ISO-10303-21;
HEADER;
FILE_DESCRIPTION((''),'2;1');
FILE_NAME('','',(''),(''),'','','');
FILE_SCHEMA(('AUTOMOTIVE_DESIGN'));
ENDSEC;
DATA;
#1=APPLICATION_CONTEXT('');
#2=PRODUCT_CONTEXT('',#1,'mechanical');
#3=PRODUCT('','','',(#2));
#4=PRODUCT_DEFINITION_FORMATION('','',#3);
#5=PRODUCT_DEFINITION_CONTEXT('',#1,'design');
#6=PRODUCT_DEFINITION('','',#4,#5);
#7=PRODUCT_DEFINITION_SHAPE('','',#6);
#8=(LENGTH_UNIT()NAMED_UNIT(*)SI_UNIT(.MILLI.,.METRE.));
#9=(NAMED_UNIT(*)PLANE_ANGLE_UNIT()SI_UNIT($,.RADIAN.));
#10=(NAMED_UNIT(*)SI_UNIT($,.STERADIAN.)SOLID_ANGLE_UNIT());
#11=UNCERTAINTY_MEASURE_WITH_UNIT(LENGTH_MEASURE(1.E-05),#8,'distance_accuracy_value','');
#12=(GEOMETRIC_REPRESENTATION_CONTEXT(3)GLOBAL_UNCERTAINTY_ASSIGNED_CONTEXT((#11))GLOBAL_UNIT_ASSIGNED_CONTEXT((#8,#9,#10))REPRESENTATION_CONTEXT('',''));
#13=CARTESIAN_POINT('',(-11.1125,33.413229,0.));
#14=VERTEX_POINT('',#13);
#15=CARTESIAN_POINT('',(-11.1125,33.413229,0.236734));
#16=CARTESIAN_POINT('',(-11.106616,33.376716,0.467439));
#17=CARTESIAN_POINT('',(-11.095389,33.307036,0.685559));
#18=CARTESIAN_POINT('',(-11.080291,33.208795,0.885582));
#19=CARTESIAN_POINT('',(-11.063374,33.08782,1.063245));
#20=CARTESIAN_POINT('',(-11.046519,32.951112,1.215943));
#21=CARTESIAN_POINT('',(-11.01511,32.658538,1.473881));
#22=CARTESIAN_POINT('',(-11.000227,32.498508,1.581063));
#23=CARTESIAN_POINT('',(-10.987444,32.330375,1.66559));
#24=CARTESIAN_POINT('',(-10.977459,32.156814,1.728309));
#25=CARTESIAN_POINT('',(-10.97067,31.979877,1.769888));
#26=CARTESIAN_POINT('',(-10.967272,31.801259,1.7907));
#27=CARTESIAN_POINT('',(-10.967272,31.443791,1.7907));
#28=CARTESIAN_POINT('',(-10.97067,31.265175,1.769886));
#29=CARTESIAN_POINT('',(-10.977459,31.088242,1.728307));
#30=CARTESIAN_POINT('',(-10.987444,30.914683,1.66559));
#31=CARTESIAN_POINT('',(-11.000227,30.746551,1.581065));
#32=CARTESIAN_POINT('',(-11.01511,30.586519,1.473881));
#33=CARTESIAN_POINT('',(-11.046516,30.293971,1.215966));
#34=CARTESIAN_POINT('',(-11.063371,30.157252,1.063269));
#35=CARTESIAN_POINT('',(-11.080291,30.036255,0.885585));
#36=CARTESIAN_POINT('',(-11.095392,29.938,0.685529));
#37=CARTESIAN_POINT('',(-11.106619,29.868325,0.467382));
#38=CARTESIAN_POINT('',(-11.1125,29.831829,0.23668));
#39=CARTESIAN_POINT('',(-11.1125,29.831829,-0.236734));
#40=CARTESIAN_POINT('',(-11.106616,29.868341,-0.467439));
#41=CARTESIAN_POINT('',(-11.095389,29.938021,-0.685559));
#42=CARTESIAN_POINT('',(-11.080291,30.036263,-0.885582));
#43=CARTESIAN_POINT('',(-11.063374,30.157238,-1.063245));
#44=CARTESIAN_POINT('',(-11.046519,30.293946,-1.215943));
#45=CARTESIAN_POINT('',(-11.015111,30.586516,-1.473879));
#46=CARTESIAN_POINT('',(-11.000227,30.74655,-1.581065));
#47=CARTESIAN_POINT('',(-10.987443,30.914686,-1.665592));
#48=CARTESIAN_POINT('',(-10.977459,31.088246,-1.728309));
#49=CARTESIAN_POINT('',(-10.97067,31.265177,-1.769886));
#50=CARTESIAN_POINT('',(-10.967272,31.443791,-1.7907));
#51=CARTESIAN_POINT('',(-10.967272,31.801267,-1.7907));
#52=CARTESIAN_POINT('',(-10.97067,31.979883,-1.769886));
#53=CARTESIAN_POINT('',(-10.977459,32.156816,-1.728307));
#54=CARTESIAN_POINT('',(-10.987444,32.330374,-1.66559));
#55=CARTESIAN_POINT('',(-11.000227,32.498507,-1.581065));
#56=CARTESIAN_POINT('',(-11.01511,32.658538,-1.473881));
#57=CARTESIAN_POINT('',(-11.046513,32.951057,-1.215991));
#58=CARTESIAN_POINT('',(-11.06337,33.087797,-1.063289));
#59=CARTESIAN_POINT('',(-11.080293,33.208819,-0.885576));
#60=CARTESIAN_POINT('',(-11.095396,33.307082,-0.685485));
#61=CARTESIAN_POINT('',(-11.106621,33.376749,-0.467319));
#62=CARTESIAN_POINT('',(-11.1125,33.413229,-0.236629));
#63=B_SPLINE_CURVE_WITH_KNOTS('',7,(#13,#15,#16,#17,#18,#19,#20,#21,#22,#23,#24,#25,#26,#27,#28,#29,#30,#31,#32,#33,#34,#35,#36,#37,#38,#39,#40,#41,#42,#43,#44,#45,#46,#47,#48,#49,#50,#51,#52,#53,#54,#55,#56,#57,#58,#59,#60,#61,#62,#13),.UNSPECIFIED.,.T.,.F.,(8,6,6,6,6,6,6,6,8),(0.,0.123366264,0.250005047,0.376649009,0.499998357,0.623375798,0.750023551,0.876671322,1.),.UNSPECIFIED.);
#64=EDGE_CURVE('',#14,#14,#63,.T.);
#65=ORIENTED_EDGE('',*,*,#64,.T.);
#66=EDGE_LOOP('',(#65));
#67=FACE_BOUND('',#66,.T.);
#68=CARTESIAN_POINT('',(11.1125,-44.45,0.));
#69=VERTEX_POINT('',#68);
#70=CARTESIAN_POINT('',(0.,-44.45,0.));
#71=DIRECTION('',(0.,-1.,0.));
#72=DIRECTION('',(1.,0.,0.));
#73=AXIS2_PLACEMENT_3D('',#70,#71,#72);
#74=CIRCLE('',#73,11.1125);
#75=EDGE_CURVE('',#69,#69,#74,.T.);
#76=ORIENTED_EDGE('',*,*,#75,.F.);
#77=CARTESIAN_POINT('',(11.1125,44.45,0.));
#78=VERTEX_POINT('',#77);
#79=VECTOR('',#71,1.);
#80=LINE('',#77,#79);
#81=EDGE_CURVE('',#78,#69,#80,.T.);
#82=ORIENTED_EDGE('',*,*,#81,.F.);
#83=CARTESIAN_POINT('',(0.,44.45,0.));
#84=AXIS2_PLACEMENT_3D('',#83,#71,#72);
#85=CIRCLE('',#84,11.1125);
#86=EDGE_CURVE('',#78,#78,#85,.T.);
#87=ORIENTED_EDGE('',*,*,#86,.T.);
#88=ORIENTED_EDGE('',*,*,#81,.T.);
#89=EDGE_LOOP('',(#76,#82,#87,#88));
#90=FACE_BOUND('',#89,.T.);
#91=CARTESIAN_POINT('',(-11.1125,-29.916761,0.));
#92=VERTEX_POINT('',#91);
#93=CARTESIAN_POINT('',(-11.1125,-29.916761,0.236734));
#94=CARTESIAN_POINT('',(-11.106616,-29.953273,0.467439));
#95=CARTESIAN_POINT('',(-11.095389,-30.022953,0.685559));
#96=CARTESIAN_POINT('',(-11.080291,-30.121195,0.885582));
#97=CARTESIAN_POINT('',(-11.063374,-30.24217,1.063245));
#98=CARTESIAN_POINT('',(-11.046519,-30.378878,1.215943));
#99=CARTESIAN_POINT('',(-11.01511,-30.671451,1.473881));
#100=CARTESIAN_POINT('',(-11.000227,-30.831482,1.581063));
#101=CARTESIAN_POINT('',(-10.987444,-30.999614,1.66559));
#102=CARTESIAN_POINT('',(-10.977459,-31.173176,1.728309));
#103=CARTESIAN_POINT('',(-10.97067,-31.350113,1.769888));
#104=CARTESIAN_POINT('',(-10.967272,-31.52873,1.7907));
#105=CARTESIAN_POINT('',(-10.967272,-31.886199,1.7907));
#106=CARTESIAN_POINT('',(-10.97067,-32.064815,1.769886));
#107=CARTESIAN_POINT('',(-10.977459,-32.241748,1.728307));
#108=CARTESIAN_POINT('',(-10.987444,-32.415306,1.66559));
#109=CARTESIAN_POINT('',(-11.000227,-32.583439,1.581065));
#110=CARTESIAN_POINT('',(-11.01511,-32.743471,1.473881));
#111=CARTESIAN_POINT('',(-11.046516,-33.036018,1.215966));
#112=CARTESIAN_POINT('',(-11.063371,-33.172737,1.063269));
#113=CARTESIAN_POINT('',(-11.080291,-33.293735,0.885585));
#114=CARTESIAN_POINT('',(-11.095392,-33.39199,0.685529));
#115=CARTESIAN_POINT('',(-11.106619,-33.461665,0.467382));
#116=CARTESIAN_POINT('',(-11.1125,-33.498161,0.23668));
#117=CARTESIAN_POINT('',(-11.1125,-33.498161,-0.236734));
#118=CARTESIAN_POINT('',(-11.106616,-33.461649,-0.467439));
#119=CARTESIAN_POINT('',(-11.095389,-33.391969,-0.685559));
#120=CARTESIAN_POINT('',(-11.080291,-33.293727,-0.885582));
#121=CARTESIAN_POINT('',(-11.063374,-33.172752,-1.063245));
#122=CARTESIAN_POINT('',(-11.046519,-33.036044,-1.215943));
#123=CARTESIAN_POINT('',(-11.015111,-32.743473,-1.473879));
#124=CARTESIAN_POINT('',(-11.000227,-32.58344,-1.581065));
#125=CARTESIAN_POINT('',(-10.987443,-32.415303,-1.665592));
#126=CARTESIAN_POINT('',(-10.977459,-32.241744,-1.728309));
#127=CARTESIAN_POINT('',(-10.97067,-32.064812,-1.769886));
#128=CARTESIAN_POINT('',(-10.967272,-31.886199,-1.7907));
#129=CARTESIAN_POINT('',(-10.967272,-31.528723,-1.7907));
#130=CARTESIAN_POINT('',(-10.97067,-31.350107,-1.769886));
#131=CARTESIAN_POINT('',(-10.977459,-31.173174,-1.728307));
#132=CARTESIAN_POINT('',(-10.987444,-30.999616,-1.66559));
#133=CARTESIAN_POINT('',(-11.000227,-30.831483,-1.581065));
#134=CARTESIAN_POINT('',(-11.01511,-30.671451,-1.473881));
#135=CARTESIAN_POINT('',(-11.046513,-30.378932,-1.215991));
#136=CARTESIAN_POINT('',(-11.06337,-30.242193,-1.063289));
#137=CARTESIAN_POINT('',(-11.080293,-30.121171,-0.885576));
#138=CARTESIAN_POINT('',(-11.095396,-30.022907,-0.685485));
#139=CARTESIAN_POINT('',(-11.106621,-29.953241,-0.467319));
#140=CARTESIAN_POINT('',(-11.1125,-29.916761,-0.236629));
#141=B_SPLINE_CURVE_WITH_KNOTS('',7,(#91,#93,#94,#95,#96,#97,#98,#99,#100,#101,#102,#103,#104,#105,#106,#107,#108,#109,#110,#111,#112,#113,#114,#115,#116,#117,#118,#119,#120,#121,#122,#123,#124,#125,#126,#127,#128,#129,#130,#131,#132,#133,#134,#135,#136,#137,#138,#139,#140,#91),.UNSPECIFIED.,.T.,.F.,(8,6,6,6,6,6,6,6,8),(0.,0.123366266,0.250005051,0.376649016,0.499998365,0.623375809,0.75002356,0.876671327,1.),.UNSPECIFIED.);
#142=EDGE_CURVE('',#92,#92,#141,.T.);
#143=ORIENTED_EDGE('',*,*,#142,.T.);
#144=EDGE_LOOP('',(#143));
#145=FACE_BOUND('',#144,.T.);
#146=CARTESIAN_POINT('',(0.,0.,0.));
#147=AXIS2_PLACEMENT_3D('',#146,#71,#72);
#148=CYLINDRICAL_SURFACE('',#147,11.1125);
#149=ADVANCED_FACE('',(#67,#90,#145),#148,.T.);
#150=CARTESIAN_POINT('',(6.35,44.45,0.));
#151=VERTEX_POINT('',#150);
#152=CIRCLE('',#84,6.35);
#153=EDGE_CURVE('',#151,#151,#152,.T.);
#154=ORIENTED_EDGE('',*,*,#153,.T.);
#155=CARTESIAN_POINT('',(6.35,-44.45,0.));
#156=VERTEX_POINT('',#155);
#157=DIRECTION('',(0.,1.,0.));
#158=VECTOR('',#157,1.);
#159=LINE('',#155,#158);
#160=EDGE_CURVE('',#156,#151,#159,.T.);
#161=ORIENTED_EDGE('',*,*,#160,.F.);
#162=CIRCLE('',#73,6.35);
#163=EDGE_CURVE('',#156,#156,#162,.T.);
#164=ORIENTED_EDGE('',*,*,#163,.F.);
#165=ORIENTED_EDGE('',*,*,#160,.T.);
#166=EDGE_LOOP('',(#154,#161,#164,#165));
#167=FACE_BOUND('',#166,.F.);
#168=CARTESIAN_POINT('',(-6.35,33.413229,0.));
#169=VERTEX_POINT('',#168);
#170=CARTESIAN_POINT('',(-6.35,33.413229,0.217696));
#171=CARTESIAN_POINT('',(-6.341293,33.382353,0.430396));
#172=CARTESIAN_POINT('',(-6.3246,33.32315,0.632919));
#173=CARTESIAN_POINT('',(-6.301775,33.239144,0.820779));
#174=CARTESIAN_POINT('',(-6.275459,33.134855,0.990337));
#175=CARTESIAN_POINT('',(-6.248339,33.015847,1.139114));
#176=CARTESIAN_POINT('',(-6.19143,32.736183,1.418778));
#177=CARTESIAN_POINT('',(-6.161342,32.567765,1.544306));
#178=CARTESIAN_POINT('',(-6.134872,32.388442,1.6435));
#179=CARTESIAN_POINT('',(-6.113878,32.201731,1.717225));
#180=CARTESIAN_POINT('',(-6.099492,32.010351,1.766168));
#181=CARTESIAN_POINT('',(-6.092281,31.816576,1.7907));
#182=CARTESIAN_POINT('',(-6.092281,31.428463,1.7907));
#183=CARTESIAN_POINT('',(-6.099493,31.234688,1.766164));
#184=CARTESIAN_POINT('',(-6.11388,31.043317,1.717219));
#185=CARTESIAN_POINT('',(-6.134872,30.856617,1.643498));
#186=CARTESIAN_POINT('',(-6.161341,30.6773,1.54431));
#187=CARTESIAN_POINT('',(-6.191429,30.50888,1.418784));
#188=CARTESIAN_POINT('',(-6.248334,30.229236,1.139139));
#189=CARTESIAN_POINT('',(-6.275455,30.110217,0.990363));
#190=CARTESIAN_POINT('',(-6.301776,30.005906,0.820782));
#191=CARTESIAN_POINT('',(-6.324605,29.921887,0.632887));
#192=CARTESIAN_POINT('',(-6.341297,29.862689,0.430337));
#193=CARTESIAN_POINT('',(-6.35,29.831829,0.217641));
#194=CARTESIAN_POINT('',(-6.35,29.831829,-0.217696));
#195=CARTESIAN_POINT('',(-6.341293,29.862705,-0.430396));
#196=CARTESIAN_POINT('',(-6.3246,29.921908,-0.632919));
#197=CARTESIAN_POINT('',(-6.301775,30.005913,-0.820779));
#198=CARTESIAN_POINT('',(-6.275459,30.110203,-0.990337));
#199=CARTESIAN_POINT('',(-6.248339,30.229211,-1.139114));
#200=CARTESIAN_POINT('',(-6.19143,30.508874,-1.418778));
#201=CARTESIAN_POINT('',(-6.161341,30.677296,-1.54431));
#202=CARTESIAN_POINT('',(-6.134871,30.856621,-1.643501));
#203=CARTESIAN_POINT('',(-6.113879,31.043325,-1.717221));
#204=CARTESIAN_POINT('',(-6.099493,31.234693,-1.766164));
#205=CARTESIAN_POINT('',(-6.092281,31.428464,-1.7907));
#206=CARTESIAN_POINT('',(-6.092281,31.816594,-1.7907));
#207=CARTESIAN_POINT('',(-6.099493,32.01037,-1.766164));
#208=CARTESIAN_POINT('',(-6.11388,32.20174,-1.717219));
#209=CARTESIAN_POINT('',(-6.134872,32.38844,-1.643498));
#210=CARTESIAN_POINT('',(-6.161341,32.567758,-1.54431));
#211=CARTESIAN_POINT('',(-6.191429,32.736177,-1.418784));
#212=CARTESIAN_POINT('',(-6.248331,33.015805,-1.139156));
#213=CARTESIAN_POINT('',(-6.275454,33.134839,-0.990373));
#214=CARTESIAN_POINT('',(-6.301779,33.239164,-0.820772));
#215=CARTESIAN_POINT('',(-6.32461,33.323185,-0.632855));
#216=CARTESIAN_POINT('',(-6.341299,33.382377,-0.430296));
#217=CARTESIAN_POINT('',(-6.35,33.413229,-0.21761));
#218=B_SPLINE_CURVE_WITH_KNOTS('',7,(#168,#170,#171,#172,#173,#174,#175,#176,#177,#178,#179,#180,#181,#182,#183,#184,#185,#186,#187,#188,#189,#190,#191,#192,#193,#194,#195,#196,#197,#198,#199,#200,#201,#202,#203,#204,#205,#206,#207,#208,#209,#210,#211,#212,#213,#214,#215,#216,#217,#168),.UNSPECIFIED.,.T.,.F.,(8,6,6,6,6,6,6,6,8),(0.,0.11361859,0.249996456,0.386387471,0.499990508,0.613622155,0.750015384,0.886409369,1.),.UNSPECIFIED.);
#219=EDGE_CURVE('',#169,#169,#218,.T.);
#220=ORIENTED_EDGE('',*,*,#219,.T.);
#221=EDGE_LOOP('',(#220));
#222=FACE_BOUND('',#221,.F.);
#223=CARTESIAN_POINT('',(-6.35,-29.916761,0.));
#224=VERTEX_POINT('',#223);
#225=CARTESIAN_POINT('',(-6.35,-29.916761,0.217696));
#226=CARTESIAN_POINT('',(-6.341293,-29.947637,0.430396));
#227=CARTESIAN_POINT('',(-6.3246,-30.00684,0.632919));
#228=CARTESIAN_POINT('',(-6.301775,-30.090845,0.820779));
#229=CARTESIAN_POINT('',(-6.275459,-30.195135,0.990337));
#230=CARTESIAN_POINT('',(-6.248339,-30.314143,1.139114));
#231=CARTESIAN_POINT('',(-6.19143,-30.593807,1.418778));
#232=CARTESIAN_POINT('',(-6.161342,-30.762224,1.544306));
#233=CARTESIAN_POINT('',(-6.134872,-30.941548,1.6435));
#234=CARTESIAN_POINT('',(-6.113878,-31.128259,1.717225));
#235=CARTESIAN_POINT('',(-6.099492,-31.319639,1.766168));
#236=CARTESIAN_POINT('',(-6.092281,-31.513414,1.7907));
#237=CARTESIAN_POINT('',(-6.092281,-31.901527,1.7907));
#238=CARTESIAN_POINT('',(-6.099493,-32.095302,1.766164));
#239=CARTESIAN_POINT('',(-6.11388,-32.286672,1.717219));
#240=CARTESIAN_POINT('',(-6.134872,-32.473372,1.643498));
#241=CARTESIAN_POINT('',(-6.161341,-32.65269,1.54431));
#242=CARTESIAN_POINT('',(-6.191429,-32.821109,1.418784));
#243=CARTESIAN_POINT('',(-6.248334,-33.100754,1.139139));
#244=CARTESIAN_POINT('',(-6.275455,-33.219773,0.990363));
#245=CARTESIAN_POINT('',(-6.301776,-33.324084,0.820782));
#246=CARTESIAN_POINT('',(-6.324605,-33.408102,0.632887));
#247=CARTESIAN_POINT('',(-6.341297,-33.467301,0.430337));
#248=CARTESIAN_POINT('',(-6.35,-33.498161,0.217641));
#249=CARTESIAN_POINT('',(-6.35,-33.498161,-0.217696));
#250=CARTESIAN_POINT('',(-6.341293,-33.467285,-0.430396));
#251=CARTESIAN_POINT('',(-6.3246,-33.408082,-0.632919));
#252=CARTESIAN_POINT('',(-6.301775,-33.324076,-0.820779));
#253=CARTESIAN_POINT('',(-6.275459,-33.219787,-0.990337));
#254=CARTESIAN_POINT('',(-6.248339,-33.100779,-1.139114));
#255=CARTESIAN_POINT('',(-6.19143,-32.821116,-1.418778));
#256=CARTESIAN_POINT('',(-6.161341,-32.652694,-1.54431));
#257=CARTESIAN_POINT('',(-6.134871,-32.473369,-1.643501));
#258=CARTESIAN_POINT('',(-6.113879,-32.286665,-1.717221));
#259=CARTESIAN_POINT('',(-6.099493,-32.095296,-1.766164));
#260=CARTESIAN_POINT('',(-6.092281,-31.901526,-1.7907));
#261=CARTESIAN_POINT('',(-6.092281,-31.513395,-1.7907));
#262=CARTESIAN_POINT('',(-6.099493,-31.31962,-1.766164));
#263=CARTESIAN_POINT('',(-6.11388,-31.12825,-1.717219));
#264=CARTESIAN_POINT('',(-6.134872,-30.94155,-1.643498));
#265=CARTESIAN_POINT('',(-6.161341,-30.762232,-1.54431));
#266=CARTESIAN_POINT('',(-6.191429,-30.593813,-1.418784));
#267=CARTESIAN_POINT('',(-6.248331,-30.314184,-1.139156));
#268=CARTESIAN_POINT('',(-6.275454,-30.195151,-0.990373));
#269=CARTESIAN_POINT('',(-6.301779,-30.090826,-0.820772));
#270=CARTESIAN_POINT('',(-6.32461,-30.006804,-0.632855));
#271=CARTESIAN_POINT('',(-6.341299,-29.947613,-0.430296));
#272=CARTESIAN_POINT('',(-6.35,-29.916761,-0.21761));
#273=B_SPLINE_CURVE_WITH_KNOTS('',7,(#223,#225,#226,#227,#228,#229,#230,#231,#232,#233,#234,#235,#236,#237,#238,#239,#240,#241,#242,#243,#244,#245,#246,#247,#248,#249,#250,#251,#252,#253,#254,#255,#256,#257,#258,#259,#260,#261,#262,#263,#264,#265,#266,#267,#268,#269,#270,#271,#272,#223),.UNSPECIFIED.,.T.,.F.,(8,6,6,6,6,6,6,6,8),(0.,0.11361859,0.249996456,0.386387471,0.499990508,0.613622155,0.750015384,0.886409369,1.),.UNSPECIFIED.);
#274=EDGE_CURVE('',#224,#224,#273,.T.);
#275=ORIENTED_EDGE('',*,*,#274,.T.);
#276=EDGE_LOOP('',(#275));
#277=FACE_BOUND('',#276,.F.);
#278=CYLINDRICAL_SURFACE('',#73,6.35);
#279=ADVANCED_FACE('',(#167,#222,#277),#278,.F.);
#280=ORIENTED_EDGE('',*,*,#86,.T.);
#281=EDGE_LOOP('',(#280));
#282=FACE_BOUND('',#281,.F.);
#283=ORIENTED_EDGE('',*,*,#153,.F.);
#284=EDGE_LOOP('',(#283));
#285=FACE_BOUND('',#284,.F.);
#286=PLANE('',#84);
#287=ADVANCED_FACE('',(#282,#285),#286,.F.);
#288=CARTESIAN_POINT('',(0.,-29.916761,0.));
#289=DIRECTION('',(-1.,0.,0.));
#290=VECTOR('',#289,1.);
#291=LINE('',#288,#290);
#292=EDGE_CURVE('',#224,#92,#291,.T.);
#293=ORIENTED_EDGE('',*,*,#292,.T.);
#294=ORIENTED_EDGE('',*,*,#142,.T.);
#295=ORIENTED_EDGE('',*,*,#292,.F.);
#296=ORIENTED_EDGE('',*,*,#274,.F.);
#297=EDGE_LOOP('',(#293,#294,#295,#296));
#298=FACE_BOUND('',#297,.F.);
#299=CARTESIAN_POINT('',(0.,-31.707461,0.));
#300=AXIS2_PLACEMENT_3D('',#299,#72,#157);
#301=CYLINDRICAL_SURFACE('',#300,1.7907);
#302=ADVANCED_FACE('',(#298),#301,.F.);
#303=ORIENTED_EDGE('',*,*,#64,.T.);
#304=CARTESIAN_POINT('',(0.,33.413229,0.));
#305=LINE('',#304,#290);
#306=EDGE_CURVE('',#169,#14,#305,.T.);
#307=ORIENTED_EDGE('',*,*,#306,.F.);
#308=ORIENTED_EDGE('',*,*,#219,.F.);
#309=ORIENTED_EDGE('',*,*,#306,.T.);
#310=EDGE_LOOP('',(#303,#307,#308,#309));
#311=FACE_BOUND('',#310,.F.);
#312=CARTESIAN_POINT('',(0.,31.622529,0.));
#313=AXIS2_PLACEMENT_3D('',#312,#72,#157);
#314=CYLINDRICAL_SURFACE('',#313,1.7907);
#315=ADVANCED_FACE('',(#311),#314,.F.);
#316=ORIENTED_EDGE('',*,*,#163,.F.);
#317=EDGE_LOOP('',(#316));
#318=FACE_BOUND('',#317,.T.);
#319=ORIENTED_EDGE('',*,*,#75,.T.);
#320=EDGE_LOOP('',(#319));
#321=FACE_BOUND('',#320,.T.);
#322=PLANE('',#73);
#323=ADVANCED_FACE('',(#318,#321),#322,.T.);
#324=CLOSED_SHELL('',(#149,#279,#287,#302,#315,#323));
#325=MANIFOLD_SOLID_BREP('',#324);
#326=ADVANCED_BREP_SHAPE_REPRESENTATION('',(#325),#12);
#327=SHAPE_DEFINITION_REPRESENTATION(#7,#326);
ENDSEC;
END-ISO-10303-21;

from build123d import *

# Parameters (mm, degrees)
F0_R     = 11.1125
F1_DEPTH = 44.45
F2_R     = 6.35
F3_DEPTH = 88.9
F4_R     = 1.7907
F5_DEPTH = 25.4
F6_R     = 1.7907
F7_DEPTH = 25.4


with BuildPart() as f1:
    # F0 (on Front) → F1 (new body, symmetric)
    with BuildSketch(Plane.XZ):
        Circle(F0_R)
    extrude(amount=F1_DEPTH, both=True)

    # F2 (on face) → F3 (cut)
    with BuildSketch(Plane.XZ.offset(44.45)):
        Circle(F2_R)
    extrude(amount=-F3_DEPTH, mode=Mode.SUBTRACT)

    # F4 (on Right) → F5 (cut)
    with BuildSketch(Plane.YZ):
        with Locations((31.6225287077, 0)):
            Circle(F4_R)
    extrude(amount=-F5_DEPTH, mode=Mode.SUBTRACT)

    # F6 (on Right) → F7 (cut)
    with BuildSketch(Plane.YZ):
        with Locations((-31.7074609353, 0)):
            Circle(F6_R)
    extrude(amount=-F7_DEPTH, mode=Mode.SUBTRACT)


solid = f1.part
